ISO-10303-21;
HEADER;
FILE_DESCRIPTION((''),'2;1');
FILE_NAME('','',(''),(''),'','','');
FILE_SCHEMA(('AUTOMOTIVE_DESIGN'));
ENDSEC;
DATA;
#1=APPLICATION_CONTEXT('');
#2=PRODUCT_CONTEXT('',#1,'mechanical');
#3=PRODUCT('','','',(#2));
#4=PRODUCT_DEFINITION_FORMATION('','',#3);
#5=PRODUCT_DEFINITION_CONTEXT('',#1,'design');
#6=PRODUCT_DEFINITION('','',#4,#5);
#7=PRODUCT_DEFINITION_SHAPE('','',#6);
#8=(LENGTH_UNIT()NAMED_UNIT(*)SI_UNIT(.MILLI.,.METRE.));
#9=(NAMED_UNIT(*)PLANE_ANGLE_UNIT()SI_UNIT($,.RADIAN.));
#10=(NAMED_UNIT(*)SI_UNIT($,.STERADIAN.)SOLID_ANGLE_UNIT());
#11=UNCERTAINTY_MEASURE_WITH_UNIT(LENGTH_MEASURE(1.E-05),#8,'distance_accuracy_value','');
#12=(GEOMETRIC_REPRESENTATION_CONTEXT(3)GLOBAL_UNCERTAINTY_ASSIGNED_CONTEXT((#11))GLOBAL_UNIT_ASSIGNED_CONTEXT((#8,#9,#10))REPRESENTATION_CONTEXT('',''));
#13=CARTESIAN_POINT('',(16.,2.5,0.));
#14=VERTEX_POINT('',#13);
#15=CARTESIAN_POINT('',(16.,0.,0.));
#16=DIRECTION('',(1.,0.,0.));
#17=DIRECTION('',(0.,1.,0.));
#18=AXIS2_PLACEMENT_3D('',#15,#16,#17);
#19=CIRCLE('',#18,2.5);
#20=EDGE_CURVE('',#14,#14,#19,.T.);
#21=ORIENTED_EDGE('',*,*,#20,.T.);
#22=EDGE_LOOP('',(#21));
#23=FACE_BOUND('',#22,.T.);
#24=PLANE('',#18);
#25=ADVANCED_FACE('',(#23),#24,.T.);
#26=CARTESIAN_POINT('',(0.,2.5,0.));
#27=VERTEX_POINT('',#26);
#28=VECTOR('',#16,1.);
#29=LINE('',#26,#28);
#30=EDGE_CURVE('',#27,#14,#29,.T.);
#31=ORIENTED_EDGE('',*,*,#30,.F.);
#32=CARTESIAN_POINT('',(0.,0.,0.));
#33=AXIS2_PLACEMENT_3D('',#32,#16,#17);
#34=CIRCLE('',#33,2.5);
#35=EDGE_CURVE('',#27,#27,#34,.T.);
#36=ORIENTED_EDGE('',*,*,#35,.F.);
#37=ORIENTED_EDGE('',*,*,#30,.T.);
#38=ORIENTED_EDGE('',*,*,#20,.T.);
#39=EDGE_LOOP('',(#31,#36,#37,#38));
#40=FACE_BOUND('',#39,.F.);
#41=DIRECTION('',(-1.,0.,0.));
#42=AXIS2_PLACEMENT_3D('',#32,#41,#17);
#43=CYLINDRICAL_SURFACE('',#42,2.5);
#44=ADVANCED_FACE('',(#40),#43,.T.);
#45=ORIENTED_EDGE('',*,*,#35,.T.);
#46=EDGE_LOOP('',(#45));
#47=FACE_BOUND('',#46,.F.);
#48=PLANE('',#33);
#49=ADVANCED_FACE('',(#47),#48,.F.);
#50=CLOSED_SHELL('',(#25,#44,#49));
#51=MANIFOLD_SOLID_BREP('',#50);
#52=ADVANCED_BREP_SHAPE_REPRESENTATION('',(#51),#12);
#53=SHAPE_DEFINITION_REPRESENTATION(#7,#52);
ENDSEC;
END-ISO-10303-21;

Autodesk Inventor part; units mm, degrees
ref_plane "YZ Plane" through (0, 0, 0) normal (1, 0, 0) x (0, 1, 0)
ref_plane "XZ Plane" through (0, 0, 0) normal (0, 1, 0) x (-1, 0, 0)
ref_plane "XY Plane" through (0, 0, 0) normal (0, 0, 1) x (1, 0, 0)
sketch "Boceto1" plane through (0, 0, 0) normal (1, 0, 0) x (0, 1, 0)
  circle A0 centre (0, 0) radius 2.5
  dimension "d1" = 5
extrude "Cuerpo" add sketch "Boceto1" along normal blind 16
equation "\"d1\" = NND"
equation "\"d2\" = NLG"
equation "\"NND\" = 5"
equation "\"NLG\" = 16"
properties part number "ISO 2338 - 5 h11 x 16 - C" material "Acero inoxidable, austenítico"
